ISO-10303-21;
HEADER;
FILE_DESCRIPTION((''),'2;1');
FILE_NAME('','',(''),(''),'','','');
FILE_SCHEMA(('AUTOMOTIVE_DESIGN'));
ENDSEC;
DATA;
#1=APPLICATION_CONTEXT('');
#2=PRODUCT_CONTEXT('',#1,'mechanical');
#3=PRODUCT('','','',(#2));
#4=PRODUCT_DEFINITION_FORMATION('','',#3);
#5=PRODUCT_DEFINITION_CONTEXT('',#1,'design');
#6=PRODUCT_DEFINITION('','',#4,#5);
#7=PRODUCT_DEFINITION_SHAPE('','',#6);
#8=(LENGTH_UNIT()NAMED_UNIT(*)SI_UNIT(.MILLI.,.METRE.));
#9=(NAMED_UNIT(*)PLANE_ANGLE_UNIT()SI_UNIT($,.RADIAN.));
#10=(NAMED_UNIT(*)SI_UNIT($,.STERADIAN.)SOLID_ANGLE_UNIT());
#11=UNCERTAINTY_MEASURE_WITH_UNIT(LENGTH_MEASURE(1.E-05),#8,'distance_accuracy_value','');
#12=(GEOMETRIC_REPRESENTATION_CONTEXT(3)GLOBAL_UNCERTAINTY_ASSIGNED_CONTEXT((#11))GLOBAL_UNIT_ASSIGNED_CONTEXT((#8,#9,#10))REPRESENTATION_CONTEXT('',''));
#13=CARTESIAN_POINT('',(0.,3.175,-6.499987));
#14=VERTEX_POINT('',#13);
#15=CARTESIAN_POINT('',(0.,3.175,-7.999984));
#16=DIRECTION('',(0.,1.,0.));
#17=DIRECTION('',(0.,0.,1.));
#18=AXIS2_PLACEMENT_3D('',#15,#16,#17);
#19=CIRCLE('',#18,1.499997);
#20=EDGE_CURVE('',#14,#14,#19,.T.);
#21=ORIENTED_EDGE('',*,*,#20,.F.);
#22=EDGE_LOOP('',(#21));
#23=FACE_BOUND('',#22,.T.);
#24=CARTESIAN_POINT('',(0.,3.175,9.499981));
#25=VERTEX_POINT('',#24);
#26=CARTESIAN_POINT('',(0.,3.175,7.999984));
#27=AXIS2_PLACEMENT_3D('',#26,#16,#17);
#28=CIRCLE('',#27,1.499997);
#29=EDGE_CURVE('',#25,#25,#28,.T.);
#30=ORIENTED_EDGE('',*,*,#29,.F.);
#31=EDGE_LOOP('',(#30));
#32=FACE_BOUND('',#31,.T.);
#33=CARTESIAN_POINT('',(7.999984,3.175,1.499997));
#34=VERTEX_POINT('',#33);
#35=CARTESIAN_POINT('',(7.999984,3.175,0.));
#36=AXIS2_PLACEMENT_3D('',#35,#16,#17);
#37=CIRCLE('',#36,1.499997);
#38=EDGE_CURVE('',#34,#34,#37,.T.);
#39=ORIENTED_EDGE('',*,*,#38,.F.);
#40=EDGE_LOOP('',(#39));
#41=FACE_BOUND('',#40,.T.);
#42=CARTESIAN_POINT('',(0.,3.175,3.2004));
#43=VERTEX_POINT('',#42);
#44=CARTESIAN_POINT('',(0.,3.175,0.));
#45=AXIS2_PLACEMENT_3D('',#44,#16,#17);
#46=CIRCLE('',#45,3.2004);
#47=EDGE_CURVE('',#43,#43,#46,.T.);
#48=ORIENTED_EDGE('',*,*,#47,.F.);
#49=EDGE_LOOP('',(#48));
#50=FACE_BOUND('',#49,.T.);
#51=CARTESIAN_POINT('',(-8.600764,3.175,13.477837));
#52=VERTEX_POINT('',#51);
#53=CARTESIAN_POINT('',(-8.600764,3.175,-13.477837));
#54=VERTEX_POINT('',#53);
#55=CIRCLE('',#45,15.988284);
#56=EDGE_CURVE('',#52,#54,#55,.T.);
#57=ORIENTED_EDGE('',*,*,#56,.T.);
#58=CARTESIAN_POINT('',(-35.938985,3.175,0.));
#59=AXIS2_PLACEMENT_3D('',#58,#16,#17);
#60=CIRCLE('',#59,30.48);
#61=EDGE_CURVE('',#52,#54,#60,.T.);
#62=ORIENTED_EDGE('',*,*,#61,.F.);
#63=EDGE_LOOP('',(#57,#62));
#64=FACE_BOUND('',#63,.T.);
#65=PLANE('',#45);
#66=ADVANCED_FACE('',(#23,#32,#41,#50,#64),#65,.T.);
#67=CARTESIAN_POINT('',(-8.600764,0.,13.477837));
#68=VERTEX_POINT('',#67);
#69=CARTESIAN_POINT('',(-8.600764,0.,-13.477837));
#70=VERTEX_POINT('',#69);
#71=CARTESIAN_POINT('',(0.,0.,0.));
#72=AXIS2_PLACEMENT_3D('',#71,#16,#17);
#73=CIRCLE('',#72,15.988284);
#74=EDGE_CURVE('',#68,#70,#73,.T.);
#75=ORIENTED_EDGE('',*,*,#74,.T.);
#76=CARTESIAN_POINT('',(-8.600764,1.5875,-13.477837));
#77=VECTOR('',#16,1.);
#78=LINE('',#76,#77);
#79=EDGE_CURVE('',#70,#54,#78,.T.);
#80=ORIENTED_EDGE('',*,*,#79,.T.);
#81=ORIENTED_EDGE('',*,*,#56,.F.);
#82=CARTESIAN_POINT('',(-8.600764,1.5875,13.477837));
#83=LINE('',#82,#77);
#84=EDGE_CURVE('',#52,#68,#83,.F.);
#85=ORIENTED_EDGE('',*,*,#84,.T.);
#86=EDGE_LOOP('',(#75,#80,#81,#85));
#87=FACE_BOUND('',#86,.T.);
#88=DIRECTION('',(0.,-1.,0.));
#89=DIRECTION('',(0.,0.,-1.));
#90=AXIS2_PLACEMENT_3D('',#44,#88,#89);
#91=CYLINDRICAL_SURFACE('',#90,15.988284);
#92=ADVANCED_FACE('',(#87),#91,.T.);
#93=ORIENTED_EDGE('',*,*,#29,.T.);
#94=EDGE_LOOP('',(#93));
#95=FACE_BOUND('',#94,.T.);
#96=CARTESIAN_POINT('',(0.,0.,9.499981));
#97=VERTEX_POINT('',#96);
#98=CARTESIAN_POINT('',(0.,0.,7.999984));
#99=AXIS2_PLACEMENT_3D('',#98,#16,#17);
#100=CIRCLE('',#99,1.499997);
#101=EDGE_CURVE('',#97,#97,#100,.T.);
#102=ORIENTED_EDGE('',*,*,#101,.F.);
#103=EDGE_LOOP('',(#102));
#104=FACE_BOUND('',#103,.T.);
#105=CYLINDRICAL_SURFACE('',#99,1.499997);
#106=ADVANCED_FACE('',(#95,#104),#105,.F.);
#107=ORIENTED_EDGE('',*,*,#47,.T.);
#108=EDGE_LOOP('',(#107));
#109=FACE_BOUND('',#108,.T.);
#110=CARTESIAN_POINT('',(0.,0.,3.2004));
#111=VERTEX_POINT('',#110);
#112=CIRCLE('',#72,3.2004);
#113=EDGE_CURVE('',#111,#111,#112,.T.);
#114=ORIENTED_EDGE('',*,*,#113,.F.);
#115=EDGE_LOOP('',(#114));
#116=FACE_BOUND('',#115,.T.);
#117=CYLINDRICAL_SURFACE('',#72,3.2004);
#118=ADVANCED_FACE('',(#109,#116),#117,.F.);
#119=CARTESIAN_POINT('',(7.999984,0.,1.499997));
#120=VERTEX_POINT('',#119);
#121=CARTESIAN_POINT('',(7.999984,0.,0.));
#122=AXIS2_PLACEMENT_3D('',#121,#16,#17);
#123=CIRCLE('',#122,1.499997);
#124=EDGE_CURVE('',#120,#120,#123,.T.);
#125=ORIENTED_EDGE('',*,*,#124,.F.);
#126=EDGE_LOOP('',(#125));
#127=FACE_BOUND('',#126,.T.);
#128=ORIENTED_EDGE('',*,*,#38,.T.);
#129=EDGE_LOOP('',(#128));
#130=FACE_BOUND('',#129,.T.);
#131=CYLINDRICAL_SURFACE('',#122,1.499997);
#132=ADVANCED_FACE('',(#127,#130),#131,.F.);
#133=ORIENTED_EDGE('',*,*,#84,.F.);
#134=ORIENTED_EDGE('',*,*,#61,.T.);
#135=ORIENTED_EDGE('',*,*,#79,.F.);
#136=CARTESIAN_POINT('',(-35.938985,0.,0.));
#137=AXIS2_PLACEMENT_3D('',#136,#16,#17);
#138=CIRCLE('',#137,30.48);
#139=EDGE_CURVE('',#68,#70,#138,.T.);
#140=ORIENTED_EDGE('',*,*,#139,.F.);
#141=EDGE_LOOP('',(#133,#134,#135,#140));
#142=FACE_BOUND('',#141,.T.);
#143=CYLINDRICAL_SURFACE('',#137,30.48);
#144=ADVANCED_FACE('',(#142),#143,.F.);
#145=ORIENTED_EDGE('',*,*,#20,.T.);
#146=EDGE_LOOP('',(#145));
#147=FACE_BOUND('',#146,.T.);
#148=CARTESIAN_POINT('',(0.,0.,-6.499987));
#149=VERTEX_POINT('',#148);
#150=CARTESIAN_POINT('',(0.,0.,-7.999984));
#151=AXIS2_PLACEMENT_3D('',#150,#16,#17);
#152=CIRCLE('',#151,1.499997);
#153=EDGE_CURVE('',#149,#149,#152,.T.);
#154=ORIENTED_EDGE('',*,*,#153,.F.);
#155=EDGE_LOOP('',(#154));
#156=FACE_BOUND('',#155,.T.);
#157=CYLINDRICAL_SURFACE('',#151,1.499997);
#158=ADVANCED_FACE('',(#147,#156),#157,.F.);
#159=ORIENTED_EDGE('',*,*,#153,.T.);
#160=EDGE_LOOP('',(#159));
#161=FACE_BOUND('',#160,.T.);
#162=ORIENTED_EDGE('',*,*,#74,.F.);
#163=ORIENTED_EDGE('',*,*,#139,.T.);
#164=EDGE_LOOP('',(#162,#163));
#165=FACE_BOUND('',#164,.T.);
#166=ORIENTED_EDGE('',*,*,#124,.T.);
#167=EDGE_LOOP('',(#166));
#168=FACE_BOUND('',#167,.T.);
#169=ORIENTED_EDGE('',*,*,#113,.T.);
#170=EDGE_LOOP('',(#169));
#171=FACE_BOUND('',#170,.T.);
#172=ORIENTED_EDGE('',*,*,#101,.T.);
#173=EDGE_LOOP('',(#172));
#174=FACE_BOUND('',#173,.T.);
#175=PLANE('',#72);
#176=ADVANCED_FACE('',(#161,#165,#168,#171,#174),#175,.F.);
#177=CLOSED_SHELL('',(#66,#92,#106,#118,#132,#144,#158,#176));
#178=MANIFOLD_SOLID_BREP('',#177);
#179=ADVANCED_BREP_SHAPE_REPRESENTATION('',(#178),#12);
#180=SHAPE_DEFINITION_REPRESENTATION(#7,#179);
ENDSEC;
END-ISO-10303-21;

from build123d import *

# Parameters (mm, degrees)
SKETCH1_R           = 15.988284
BOSS_EXTRUDE1_DEPTH = 3.175
SKETCH2_R           = 30.48
CUT_EXTRUDE1_DEPTH  = 4.175
SKETCH4_R           = 1.499997
SKETCH4_R_2         = 3.2004
CUT_EXTRUDE2_DEPTH  = 4.175


with BuildPart() as part:
    # Sketch1 → Boss-Extrude1 (new body)
    with BuildSketch(Plane(origin=(0, 0, 0), x_dir=(1, 0, 0), z_dir=(0, 1, 0))):
        Circle(SKETCH1_R)
    extrude(amount=BOSS_EXTRUDE1_DEPTH)

    # Sketch2 → Cut-Extrude1 (cut, through all)
    with BuildSketch(Plane(origin=(0, 3.175, 0), x_dir=(1, 0, 0), z_dir=(0, 1, 0))):
        with Locations((-35.938985022, 0)):
            Circle(SKETCH2_R)
    extrude(amount=-CUT_EXTRUDE1_DEPTH, mode=Mode.SUBTRACT)

    # Sketch4 → Cut-Extrude2 (cut, through all)
    with BuildSketch(Plane(origin=(0, 3.175, 0), x_dir=(1, 0, 0), z_dir=(0, 1, 0))):
        with Locations((0, 7.999984)):
            Circle(SKETCH4_R)
        with Locations((0, -7.999984)):
            Circle(SKETCH4_R)
        with Locations((7.999984, 0)):
            Circle(SKETCH4_R)
        Circle(SKETCH4_R_2)
    extrude(amount=-CUT_EXTRUDE2_DEPTH, mode=Mode.SUBTRACT)


solid = part.part
